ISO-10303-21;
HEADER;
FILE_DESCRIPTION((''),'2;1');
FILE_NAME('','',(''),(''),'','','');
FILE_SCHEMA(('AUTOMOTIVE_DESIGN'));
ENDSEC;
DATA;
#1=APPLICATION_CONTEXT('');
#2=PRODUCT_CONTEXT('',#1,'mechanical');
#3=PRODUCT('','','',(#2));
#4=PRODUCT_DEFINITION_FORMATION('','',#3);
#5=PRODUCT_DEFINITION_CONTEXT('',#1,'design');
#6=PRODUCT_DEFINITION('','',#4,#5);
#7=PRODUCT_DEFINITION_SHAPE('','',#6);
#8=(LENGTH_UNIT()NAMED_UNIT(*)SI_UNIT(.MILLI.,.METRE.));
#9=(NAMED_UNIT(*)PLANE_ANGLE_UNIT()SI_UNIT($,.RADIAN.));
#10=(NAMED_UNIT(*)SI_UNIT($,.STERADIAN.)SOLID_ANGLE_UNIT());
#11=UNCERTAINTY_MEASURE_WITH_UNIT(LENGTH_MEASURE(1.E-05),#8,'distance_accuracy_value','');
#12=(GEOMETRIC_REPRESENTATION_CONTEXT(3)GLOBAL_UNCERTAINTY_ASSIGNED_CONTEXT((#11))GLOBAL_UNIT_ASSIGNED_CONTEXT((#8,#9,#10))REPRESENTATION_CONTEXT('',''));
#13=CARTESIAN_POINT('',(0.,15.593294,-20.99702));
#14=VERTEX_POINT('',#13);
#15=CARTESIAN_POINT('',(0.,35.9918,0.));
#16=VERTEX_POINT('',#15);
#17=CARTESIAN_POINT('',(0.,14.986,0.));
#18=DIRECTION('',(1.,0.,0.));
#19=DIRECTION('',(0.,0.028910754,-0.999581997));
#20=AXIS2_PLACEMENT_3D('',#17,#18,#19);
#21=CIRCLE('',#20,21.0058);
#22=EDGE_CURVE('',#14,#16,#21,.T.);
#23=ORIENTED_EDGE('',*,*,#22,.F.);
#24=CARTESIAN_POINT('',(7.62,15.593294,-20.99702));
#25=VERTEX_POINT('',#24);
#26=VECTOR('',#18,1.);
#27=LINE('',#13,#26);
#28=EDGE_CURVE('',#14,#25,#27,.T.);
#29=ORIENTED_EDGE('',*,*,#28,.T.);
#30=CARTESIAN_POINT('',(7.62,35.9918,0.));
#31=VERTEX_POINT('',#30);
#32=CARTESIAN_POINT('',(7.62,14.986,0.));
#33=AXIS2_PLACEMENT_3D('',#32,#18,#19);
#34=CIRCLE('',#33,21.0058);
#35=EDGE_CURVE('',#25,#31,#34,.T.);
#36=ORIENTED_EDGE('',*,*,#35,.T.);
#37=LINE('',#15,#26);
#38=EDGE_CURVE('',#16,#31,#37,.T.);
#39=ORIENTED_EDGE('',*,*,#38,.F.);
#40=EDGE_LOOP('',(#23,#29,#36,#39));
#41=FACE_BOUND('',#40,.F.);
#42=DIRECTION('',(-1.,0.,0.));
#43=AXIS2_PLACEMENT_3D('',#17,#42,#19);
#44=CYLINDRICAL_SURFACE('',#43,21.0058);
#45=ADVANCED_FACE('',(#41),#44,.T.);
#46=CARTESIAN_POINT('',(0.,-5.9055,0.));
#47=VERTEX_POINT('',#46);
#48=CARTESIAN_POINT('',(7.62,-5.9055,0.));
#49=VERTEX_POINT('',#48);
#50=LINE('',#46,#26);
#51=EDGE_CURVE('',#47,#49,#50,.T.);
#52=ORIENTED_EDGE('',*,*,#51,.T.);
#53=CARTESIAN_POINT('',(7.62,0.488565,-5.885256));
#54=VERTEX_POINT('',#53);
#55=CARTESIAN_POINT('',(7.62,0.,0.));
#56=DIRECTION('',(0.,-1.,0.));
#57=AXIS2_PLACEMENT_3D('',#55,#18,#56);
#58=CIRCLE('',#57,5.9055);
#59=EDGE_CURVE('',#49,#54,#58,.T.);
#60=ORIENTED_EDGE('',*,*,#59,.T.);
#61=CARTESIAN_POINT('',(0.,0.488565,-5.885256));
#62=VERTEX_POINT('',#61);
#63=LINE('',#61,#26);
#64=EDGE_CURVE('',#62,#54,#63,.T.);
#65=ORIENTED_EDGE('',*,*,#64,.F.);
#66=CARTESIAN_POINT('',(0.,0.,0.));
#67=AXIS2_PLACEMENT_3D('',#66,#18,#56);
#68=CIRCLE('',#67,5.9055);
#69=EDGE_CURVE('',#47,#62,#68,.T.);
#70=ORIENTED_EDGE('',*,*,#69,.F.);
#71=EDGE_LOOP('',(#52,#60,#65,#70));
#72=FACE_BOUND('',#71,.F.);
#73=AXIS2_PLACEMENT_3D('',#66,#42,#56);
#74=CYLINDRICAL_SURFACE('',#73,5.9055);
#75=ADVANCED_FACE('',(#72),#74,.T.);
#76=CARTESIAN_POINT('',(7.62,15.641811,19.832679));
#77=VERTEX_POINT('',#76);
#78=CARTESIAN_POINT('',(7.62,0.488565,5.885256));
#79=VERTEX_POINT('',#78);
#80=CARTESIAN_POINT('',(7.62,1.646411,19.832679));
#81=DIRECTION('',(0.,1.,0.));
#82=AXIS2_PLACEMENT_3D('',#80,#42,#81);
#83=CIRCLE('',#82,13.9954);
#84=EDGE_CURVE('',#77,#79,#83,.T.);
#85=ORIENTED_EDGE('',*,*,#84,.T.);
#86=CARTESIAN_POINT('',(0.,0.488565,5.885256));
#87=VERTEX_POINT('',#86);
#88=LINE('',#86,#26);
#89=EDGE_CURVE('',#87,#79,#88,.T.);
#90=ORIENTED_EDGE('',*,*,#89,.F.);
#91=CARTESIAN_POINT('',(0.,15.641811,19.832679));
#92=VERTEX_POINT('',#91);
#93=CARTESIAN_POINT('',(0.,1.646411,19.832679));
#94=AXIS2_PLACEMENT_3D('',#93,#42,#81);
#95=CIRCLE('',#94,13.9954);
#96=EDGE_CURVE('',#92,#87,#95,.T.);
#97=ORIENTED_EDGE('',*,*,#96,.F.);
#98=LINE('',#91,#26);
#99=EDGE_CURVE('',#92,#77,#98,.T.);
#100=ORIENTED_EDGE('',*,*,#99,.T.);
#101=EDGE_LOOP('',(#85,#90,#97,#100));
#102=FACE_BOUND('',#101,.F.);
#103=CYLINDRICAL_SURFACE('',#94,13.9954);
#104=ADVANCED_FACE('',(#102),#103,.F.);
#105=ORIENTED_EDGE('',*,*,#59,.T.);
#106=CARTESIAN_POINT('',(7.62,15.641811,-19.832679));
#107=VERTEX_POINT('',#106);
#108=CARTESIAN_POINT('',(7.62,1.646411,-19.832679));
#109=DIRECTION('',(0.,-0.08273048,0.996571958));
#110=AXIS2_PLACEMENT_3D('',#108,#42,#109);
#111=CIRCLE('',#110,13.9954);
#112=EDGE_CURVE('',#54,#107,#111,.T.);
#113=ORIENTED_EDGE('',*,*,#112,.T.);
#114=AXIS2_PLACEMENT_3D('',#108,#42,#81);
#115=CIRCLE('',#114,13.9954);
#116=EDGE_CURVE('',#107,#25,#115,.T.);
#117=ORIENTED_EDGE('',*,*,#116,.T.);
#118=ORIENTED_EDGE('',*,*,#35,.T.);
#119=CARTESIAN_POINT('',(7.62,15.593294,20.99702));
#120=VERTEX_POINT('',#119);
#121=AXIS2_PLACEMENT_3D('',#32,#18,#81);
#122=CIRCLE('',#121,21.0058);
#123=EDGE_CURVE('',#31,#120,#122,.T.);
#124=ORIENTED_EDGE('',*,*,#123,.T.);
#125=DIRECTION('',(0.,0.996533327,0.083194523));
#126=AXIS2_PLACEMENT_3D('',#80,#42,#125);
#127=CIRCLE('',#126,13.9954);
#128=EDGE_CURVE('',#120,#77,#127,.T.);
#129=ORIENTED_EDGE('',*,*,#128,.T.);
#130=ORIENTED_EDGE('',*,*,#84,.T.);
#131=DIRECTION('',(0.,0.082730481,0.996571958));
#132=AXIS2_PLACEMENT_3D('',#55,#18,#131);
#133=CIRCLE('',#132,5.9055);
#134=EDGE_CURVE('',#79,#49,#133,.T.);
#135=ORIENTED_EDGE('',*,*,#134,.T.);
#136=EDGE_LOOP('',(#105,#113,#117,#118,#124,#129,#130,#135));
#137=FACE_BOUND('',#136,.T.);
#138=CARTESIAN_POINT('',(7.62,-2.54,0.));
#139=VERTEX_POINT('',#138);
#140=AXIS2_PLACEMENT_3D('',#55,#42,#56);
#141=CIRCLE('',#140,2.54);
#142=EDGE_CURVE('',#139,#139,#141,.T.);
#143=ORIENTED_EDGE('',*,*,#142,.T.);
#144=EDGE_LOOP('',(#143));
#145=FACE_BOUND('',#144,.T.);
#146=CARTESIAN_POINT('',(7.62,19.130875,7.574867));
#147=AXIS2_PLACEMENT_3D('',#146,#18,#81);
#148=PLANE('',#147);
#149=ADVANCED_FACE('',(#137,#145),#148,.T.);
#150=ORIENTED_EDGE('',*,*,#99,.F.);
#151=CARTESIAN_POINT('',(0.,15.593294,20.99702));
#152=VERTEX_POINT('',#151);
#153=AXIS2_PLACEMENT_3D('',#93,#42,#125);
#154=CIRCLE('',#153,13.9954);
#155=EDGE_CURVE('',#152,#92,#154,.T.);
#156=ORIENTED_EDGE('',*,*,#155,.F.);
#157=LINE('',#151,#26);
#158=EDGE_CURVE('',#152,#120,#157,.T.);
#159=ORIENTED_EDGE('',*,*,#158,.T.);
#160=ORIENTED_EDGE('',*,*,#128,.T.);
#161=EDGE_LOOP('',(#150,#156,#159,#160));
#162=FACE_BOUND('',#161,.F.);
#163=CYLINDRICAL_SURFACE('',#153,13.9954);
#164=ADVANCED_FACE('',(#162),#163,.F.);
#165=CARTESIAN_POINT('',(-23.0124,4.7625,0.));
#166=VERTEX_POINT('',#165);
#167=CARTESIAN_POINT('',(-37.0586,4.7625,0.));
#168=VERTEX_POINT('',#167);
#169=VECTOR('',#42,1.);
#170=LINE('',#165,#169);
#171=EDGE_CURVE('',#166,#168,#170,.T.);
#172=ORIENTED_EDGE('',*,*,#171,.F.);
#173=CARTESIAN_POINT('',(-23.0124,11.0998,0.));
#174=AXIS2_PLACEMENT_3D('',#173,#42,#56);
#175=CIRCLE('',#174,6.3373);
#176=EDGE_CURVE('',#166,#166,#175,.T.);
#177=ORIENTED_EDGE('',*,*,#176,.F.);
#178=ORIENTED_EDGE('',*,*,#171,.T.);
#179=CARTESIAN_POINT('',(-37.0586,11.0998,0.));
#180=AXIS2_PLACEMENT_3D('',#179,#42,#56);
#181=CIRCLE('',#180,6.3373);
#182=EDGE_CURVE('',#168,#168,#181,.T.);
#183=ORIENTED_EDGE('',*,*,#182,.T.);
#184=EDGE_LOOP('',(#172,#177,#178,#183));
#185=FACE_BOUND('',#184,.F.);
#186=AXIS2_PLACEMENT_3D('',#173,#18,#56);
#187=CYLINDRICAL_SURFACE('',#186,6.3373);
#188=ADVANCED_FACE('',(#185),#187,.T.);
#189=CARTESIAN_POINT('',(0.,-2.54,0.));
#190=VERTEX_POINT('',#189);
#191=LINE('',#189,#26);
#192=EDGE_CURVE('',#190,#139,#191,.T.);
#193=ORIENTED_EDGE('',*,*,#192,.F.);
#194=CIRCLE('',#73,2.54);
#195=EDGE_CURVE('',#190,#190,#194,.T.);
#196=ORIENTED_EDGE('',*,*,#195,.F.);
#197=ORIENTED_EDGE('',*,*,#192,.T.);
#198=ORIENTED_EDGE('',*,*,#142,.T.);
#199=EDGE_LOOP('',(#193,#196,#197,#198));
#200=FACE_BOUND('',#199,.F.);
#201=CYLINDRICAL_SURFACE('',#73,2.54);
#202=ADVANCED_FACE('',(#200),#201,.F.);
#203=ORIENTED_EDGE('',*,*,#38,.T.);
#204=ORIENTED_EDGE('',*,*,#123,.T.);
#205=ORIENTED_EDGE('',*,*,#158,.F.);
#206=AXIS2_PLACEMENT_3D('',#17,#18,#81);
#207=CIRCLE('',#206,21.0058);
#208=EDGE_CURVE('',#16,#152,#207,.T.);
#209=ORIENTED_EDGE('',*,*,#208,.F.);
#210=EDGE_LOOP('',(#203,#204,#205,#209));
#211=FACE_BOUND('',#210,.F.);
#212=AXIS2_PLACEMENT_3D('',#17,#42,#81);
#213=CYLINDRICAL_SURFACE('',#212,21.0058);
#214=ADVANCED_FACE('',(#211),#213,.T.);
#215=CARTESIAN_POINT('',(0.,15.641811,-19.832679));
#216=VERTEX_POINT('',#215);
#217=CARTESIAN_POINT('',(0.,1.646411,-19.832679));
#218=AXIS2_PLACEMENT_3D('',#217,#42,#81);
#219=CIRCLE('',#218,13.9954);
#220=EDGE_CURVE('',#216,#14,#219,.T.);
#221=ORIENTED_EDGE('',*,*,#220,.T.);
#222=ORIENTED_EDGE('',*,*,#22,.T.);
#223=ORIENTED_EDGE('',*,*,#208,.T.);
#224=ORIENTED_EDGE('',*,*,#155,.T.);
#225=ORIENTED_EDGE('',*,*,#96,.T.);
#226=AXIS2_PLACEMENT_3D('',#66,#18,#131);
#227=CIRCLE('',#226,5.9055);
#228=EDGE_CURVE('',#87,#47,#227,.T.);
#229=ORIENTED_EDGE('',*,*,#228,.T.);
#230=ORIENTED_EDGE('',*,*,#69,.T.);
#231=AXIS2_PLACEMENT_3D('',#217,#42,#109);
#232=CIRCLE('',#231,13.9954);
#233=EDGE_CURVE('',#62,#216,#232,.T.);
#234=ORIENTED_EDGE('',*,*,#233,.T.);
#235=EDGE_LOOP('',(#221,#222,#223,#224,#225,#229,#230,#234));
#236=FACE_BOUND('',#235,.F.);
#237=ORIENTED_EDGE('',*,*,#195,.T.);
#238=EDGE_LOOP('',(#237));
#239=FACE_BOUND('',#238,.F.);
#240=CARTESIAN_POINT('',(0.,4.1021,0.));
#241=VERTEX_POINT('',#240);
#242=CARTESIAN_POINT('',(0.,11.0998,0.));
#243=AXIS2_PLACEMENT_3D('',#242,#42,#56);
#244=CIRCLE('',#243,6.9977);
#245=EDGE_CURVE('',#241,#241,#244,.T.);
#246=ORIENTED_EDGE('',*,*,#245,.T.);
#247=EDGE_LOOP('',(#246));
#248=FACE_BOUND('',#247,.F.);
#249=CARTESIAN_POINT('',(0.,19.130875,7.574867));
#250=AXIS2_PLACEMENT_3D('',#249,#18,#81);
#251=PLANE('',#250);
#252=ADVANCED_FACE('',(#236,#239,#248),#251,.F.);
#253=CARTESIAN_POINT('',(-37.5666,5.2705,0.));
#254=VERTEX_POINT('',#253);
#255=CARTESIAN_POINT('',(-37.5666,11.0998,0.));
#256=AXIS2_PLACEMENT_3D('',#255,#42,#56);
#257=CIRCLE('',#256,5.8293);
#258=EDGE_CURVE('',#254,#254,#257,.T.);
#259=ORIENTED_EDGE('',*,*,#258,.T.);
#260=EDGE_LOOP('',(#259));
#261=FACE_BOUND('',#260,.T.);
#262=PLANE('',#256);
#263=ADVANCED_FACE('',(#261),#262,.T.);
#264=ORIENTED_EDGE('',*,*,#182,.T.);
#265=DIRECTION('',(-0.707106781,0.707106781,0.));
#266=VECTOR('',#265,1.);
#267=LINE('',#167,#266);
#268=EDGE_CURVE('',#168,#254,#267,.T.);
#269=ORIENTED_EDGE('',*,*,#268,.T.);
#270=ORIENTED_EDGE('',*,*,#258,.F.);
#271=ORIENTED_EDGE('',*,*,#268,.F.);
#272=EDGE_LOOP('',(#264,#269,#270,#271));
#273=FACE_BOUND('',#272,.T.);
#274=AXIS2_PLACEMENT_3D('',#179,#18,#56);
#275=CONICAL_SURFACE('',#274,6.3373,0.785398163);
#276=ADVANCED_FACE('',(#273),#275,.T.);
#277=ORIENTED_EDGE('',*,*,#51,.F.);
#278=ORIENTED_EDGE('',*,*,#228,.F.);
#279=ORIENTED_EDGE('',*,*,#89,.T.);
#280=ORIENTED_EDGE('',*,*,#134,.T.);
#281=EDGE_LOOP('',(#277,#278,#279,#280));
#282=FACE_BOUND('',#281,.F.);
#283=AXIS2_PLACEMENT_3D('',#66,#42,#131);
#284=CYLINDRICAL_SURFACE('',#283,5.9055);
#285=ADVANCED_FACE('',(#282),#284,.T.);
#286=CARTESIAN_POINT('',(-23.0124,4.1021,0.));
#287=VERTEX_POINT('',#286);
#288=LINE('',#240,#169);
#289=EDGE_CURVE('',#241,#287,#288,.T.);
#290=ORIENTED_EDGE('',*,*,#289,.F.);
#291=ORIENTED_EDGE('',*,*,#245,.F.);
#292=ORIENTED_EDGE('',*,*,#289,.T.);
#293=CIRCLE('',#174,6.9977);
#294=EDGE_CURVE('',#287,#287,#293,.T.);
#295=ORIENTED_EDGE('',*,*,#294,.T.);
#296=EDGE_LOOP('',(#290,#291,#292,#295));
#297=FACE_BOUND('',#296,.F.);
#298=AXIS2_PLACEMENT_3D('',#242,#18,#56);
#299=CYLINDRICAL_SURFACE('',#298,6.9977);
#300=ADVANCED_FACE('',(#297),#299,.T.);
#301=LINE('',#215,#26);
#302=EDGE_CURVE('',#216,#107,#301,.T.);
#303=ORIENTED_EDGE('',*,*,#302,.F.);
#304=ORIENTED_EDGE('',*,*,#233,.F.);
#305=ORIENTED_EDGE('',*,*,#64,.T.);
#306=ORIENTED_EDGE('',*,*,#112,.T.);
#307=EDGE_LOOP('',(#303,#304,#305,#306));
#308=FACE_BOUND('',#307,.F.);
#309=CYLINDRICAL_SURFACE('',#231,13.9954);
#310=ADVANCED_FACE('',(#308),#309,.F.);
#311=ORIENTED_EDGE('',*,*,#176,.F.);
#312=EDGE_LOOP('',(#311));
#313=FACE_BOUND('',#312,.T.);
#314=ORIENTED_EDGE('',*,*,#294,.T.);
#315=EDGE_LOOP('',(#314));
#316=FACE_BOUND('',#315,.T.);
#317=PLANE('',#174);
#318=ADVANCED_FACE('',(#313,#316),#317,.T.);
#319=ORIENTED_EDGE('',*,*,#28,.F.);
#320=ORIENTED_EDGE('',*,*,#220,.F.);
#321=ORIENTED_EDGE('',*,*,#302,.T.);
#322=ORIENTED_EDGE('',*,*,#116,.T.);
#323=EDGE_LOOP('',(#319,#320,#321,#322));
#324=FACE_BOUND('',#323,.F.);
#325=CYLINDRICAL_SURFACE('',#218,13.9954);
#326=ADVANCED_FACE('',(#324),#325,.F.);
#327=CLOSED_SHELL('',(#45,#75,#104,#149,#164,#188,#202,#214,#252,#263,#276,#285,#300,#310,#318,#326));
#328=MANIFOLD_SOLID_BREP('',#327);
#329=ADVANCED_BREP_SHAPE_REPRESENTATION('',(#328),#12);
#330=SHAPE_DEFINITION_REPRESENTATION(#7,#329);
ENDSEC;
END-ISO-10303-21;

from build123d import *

# Parameters (mm, degrees)
F1_DEPTH = 7.62
F2_R     = 6.9977
F3_DEPTH = 23.0124
F4_R     = 6.3373
F5_DEPTH = 14.5542
F6_SIZE  = 0.508


with BuildPart() as f1:
    # F0 (on Right) → F1 (new body)
    with BuildSketch(Plane.YZ):
        with BuildLine():
            ThreePointArc((0.488564857, 5.885255698), (4.3451208276, 3.9993568537), (5.9055, 0))
            Line((5.9055, 0), (35.9918, 0))
            ThreePointArc((35.9918, 0), (30.0525244802, 14.6370582333), (15.5932935183, 20.9970195081))
            ThreePointArc((15.5932935183, 20.9970195081), (15.6296763666, 20.4153544005), (15.6418109969, 19.8326788821))
            ThreePointArc((15.6418109969, 19.8326788821), (11.1244567157, 9.5352097506), (0.488564857, 5.885255698))
        make_face()
        with BuildLine():
            Line((35.9918, 0), (5.9055, 0))
            ThreePointArc((5.9055, 0), (4.3451208206, -3.9993568613), (0.4885648365, -5.8852556997))
            ThreePointArc((0.4885648365, -5.8852556997), (11.1244567081, -9.5352097437), (15.6418109969, -19.8326788821))
            ThreePointArc((15.6418109969, -19.8326788821), (15.6296763666, -20.4153544005), (15.5932935183, -20.9970195081))
            ThreePointArc((15.5932935183, -20.9970195081), (30.0525244802, -14.6370582333), (35.9918, 0))
        make_face()
        with BuildLine():
            Line((5.9055, 0), (2.54, 0))
            ThreePointArc((2.54, 0), (0, -2.54), (-2.54, 0))
            Line((-2.54, 0), (-5.9055, 0))
            ThreePointArc((-5.9055, 0), (-3.9993568613, -4.3451208206), (0.4885648365, -5.8852556997))
            ThreePointArc((0.4885648365, -5.8852556997), (4.3451208206, -3.9993568613), (5.9055, 0))
        make_face()
        with BuildLine():
            ThreePointArc((-2.54, 0), (0, 2.54), (2.54, 0))
            Line((2.54, 0), (5.9055, 0))
            ThreePointArc((5.9055, 0), (4.3451208276, 3.9993568537), (0.488564857, 5.885255698))
            ThreePointArc((0.488564857, 5.885255698), (-3.9993568537, 4.3451208276), (-5.9055, 0))
            Line((-5.9055, 0), (-2.54, 0))
        make_face()
    extrude(amount=F1_DEPTH)

    # F2 (on face) → F3 (join)
    with BuildSketch(Plane(origin=(0, 0, 0), x_dir=(0, -1, 0), z_dir=(-1, 0, 0))):
        with Locations((-11.0998, 0)):
            Circle(F2_R)
    extrude(amount=F3_DEPTH)

    # F4 (on face) → F5 (join)
    with BuildSketch(Plane(origin=(-23.0124, 0, 0), x_dir=(0, -1, 0), z_dir=(-1, 0, 0))):
        with Locations((-11.0998, 0)):
            Circle(F4_R)
    extrude(amount=F5_DEPTH)

    # F6
    f6_edges = [f1.edges().sort_by_distance(p)[0] for p in [
        (-37.5666, 17.4371, 0),
    ]]
    chamfer(f6_edges, length=F6_SIZE)


solid = f1.part
